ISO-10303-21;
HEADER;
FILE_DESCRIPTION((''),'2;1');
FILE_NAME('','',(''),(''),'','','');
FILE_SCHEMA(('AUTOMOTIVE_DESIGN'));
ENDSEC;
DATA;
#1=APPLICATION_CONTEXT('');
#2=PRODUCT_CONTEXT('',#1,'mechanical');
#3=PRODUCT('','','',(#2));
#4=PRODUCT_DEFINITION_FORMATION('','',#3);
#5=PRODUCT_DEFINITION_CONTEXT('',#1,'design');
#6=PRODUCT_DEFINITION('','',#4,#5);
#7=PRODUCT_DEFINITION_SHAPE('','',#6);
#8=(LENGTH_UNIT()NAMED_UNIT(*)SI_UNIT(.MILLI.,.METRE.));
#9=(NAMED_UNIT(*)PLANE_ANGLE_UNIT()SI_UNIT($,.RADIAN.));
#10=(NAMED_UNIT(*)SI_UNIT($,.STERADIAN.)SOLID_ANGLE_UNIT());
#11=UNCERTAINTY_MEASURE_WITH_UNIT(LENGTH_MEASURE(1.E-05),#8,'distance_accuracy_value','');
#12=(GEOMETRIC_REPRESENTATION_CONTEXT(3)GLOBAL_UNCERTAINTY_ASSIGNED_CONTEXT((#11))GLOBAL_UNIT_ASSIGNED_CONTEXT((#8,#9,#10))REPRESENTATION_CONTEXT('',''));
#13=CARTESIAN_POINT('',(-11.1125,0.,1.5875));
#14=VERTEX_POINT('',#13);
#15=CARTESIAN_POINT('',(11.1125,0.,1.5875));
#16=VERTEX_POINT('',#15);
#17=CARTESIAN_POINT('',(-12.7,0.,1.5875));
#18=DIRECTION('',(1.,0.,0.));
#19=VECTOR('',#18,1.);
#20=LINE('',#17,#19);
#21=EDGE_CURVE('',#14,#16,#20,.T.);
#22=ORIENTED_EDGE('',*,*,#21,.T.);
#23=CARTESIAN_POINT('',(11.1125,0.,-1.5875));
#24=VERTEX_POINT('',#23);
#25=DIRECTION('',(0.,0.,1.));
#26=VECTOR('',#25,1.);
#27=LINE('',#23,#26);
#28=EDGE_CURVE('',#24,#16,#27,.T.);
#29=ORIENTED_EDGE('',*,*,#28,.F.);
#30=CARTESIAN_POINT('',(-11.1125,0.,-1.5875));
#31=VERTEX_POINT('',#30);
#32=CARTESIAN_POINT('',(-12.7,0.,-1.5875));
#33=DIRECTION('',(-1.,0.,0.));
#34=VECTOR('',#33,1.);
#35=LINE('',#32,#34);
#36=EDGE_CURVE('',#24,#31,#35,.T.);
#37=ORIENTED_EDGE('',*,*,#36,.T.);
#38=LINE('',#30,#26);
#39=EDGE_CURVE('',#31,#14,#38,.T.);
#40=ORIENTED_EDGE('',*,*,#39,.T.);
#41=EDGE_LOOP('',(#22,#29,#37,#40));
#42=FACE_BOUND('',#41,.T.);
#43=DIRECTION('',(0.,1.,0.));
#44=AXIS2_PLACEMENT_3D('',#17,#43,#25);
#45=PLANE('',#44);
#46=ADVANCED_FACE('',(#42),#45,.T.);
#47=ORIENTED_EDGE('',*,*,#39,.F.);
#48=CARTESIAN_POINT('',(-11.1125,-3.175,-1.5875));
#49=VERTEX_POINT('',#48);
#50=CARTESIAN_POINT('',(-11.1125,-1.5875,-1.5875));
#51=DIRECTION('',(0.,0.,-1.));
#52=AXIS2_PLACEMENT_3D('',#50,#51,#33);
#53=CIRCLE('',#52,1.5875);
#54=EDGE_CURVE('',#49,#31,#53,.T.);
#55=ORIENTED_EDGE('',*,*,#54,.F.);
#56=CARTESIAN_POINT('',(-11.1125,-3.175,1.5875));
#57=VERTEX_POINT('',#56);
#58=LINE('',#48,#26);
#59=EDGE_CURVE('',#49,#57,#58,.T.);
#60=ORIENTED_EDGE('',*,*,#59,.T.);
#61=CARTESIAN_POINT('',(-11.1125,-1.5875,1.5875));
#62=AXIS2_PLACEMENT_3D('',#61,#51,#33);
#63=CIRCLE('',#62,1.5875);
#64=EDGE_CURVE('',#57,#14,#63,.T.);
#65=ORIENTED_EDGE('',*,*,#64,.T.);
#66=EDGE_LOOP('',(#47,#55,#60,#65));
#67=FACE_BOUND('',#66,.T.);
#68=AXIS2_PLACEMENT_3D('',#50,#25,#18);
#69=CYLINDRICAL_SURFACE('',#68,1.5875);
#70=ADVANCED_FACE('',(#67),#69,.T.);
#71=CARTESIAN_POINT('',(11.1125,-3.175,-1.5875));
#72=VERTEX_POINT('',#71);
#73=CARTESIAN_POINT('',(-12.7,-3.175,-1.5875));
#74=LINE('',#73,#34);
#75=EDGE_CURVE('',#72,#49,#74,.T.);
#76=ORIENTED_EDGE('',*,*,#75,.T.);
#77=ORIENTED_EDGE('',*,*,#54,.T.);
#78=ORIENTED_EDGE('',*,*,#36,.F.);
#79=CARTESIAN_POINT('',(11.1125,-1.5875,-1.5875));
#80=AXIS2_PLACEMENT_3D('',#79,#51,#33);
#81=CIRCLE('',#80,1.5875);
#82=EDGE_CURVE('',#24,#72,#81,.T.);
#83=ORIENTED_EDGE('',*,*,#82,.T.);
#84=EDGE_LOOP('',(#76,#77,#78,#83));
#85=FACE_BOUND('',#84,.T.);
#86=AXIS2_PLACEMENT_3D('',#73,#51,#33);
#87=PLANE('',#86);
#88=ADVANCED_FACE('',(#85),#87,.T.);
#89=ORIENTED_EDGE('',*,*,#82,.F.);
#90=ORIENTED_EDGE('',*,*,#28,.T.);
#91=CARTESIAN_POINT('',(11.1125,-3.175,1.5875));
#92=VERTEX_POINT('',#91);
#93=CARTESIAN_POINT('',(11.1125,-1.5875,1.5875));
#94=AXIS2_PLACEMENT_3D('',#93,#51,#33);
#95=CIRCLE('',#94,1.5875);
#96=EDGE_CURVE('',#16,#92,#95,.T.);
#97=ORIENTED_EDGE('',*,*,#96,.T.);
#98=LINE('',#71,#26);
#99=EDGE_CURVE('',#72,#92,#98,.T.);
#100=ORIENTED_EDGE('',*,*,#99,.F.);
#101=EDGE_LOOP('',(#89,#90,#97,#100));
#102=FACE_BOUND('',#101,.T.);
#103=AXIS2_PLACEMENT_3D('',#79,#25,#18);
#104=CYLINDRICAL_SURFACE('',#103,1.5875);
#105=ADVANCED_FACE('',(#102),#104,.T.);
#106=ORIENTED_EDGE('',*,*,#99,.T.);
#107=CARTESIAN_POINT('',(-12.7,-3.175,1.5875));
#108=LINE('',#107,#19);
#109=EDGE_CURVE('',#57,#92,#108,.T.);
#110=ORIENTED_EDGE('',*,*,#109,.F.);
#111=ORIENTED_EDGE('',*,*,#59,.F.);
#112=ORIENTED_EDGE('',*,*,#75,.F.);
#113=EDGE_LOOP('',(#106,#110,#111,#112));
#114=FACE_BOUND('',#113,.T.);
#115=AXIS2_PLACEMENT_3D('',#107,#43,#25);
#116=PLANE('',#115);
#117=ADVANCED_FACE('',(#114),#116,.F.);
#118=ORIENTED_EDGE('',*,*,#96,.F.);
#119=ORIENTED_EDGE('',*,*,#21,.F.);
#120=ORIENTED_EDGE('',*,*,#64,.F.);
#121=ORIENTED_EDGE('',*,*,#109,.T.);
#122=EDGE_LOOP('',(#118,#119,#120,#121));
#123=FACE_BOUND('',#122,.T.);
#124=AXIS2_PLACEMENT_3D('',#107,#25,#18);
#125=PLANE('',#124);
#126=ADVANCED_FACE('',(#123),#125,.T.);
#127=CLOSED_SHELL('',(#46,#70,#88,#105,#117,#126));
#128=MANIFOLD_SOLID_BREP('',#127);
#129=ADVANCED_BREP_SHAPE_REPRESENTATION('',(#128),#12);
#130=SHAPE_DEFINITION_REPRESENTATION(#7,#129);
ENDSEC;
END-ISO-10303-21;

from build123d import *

# Parameters (mm, degrees)
SKETCH1_W         = 25.4
SKETCH1_H         = 3.175
EXTRUDE1_DEPTH    = 3.175
SKETCH2_OUTSIDE_W = 32.558
SKETCH2_OUTSIDE_H = 10.333
EXTRUDE2_DEPTH    = 59.025242352


with BuildPart() as part:
    # Sketch1 → Extrude1 (new body)
    with BuildSketch(Plane(origin=(0, 0, 0), x_dir=(1, 0, 0), z_dir=(0, 1, 0))):
        Rectangle(SKETCH1_W, SKETCH1_H)
    extrude(amount=-EXTRUDE1_DEPTH)

    # Sketch2 outside → Extrude2 (cut, through all)
    with BuildSketch(Plane(origin=(44.45, 6.35, 1.5875), x_dir=(-1, 0, 0), z_dir=(0, 0, -1))):
        with Locations((44.45, -7.9375)):
            Rectangle(SKETCH2_OUTSIDE_W, SKETCH2_OUTSIDE_H)
        with BuildLine():
            Line((33.3375, -6.35), (55.5625, -6.35))
            ThreePointArc((55.5625, -6.35), (57.15, -7.9375), (55.5625, -9.525))
            Line((55.5625, -9.525), (33.3375, -9.525))
            ThreePointArc((33.3375, -9.525), (31.75, -7.9375), (33.3375, -6.35))
        make_face(mode=Mode.SUBTRACT)
    extrude(amount=EXTRUDE2_DEPTH, mode=Mode.SUBTRACT)


solid = part.part
